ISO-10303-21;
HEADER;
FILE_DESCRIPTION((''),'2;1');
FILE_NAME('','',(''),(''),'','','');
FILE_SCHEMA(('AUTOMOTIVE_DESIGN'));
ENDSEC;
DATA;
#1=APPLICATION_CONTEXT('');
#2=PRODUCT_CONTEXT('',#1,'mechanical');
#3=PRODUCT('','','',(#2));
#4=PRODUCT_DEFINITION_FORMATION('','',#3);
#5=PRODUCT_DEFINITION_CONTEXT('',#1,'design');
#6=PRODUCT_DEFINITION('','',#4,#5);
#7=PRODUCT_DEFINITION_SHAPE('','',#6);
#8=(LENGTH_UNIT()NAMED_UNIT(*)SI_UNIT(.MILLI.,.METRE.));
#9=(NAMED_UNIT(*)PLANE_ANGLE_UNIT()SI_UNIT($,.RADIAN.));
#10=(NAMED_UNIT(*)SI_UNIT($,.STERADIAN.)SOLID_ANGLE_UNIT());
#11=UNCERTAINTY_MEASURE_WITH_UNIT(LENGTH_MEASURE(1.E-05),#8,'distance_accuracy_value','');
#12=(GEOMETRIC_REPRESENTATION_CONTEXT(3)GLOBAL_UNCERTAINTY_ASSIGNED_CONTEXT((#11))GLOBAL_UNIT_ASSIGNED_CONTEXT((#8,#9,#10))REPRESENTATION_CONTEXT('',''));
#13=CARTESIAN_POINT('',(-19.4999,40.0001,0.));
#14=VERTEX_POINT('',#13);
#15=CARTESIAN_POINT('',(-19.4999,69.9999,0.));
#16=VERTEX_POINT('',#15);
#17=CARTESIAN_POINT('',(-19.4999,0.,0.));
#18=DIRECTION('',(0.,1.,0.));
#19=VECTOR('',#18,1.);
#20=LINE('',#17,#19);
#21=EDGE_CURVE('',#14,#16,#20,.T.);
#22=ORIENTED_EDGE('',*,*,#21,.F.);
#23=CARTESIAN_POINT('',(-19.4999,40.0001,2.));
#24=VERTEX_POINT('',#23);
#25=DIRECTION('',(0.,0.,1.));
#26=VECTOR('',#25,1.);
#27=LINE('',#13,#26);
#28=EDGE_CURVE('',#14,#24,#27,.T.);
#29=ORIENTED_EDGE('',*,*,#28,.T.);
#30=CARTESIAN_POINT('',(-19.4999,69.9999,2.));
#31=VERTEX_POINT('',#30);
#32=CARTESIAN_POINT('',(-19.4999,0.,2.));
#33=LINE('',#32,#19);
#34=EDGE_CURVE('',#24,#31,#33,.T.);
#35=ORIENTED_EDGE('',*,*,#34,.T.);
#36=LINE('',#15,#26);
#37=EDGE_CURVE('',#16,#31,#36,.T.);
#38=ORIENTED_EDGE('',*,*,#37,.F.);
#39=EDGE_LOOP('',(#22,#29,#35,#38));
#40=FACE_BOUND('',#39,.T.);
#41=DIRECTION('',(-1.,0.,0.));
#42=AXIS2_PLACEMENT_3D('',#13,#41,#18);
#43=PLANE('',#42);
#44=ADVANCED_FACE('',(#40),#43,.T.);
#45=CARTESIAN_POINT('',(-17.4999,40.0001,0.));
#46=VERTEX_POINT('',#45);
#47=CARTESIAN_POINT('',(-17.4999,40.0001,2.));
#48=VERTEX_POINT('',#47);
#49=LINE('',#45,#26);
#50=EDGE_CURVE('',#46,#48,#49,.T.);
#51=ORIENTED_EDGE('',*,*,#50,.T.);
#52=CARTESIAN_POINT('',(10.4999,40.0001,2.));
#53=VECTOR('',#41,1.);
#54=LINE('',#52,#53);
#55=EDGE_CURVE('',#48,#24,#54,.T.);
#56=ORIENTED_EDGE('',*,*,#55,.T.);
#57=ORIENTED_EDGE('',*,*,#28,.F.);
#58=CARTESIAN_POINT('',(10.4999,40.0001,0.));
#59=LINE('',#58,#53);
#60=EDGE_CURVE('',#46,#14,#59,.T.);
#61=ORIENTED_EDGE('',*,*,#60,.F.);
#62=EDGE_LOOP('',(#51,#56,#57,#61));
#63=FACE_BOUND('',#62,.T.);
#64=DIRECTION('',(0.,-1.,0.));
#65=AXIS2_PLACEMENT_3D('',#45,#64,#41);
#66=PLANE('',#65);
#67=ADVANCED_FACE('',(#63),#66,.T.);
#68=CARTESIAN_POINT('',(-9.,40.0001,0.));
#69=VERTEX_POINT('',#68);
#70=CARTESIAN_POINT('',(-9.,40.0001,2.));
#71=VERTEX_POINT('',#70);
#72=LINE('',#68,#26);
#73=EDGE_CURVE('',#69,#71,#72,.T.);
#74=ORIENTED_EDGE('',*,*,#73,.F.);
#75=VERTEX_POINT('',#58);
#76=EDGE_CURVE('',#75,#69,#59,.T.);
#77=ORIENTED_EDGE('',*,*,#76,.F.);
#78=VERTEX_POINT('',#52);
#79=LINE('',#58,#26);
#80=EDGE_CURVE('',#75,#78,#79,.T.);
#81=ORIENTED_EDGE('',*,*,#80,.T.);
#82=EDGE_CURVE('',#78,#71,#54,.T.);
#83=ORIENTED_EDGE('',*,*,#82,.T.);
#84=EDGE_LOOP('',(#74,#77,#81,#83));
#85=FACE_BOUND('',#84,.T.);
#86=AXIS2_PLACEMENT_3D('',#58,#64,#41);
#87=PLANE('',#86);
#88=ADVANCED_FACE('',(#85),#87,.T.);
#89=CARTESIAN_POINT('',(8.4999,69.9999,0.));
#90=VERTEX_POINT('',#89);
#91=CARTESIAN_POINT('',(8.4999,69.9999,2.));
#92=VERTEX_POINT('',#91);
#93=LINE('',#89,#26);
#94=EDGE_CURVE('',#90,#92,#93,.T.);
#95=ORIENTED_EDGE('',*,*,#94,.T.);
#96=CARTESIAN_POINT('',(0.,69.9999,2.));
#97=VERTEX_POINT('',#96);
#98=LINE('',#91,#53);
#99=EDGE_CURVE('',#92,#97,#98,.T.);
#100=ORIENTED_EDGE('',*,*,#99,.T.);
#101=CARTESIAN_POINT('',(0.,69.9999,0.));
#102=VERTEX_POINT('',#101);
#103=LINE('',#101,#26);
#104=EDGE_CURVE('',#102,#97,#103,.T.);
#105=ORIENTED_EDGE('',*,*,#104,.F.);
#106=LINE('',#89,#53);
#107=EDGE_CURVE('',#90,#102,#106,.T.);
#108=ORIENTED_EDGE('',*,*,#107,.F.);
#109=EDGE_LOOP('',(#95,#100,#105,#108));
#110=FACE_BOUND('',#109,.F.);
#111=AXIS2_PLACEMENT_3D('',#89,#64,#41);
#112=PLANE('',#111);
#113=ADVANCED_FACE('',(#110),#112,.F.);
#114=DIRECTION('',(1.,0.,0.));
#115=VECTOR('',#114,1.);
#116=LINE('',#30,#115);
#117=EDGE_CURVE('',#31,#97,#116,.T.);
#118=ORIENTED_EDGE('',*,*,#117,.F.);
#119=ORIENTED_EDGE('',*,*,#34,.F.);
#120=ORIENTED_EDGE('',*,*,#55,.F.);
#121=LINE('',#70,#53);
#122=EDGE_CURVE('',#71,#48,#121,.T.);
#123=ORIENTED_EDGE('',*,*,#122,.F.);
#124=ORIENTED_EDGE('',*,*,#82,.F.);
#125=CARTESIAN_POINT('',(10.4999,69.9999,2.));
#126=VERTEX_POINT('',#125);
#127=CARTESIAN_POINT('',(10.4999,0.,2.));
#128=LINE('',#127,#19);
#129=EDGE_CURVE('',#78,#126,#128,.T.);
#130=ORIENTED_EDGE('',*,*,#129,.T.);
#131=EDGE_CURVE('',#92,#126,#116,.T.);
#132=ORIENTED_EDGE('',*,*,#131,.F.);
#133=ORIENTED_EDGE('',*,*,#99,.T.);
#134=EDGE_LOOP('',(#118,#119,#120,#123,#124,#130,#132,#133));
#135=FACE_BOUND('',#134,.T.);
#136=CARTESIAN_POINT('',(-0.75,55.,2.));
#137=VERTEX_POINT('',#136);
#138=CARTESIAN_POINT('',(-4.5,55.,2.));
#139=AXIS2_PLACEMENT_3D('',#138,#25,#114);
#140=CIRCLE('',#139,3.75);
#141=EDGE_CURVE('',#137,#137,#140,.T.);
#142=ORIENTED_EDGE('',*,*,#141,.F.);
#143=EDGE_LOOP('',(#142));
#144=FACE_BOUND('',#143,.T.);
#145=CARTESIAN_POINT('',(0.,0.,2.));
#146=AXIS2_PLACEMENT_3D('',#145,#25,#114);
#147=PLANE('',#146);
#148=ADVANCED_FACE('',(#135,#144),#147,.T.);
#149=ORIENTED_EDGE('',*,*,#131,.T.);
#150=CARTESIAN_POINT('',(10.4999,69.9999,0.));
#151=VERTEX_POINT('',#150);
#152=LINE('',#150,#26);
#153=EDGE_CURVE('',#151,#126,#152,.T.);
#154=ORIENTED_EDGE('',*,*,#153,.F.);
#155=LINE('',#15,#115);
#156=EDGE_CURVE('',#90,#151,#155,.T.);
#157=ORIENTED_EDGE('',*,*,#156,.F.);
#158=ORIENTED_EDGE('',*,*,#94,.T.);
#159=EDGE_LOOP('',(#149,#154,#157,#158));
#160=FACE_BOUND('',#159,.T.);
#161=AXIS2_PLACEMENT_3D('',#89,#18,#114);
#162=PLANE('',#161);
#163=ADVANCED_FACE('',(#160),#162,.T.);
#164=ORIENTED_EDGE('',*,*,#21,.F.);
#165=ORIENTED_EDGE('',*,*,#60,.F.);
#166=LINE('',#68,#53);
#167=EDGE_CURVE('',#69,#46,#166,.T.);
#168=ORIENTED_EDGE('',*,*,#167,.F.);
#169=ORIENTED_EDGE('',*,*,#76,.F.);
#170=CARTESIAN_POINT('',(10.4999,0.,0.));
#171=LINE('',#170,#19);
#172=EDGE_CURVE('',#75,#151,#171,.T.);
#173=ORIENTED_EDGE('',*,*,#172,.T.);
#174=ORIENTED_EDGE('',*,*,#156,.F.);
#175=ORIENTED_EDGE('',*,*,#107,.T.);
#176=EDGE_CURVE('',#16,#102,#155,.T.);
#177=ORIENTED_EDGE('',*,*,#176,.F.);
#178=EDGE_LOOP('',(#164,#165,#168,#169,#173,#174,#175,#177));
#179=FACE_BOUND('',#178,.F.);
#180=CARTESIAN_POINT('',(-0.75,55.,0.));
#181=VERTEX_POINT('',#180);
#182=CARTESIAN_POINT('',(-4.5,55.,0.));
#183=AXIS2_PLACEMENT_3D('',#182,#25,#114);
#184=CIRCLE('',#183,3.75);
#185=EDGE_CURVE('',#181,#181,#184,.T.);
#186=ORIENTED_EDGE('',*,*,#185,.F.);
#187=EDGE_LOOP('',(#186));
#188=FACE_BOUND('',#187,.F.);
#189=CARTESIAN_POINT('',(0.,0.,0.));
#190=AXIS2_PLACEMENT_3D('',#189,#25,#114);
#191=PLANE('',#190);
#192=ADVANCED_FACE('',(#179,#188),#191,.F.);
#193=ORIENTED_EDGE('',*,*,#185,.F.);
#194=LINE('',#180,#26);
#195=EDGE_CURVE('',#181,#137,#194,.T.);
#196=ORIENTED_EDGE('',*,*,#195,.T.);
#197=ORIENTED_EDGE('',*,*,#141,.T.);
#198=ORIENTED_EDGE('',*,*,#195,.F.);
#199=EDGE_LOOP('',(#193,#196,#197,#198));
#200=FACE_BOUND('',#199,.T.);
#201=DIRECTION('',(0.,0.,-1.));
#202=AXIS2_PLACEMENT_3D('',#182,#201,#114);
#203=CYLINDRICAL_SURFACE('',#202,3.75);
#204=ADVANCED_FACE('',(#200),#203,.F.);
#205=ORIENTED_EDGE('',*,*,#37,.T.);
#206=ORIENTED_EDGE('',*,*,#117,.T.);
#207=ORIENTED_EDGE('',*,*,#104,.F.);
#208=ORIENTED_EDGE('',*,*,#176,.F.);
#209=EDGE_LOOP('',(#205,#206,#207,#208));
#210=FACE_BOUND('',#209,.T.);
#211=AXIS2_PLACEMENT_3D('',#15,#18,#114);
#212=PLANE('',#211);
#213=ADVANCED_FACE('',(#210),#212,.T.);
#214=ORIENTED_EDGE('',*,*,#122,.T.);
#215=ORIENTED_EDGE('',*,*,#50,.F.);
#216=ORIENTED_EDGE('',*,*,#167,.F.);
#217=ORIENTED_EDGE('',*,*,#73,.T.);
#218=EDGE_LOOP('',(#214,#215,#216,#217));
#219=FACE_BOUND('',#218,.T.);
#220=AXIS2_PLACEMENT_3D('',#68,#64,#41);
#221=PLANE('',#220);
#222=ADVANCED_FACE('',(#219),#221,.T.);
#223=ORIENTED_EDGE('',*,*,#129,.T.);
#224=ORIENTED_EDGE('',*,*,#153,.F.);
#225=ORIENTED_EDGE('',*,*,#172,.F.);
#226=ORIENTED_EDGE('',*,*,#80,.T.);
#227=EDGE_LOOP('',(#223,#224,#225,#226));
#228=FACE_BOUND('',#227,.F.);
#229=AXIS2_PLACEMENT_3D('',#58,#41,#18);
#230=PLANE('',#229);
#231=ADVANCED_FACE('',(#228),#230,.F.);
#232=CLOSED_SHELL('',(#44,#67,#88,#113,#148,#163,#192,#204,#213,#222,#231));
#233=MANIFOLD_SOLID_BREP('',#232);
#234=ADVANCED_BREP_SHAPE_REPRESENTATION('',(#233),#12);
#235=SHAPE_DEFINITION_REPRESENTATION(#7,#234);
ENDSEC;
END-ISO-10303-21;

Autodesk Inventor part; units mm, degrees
ref_plane "YZ Plane" through (0, 0, 0) normal (1, 0, 0) x (0, 1, 0)
ref_plane "XZ Plane" through (0, 0, 0) normal (0, 1, 0) x (-1, 0, 0)
ref_plane "XY Plane" through (0, 0, 0) normal (0, 0, 1) x (1, 0, 0)
sketch "Sketch1" plane through (0, 0, 0) normal (0, 0, 1) x (1, 0, 0)
  arc A0 (-5.9942, 51.8019) -> (-3.0058, 51.8019) centre (-4.5, 55) ccw
  line L0 (8.4999, 69.9999) -> (0, 69.9999)
  line L1 (-9, 40.0001) -> (-17.4999, 40.0001)
  line L2 (10.4999, 0) -> (10.4999, 69.9999)
  line L3 (-19.4999, 0) -> (-19.4999, 69.9999)
  line L4 (-19.4999, 69.9999) -> (10.4999, 69.9999)
  line L5 (10.4999, 69.9999) -> (10.4999, 40.0001)
  line L6 (10.4999, 40.0001) -> (-19.4999, 40.0001)
  line L7 (-19.4999, 40.0001) -> (-19.4999, 69.9999)
  circle A1 centre (-4.5, 55) radius 3.75
  point P0 (0, 0)
  dimension "d0" = 29.9999
  dimension "d1" = 29.9999
  dimension "d2" = 14.9999
  dimension "d3" = 7.5
extrude "Plate1" add sketch "Sketch1" along normal blind 2
equation "\"BendRadius\" = Thickness"
equation "\"BendReliefWidth\" = Thickness"
equation "\"BendReliefDepth\" = 0.5 * Thickness"
equation "\"CornerReliefSize\" = 4 * Thickness"
equation "\"MinimumRemnant\" = 2 * Thickness"
equation "\"TransitionRadius\" = BendRadius"
equation "\"JacobiRadiusSize\" = BendRadius"
equation "\"GapSize\" = Thickness"
equation "\"d4\" = BendRadius"
equation "\"Thickness\" = 2"
properties part number "gabarito-30" material "Wood (Oak)"
